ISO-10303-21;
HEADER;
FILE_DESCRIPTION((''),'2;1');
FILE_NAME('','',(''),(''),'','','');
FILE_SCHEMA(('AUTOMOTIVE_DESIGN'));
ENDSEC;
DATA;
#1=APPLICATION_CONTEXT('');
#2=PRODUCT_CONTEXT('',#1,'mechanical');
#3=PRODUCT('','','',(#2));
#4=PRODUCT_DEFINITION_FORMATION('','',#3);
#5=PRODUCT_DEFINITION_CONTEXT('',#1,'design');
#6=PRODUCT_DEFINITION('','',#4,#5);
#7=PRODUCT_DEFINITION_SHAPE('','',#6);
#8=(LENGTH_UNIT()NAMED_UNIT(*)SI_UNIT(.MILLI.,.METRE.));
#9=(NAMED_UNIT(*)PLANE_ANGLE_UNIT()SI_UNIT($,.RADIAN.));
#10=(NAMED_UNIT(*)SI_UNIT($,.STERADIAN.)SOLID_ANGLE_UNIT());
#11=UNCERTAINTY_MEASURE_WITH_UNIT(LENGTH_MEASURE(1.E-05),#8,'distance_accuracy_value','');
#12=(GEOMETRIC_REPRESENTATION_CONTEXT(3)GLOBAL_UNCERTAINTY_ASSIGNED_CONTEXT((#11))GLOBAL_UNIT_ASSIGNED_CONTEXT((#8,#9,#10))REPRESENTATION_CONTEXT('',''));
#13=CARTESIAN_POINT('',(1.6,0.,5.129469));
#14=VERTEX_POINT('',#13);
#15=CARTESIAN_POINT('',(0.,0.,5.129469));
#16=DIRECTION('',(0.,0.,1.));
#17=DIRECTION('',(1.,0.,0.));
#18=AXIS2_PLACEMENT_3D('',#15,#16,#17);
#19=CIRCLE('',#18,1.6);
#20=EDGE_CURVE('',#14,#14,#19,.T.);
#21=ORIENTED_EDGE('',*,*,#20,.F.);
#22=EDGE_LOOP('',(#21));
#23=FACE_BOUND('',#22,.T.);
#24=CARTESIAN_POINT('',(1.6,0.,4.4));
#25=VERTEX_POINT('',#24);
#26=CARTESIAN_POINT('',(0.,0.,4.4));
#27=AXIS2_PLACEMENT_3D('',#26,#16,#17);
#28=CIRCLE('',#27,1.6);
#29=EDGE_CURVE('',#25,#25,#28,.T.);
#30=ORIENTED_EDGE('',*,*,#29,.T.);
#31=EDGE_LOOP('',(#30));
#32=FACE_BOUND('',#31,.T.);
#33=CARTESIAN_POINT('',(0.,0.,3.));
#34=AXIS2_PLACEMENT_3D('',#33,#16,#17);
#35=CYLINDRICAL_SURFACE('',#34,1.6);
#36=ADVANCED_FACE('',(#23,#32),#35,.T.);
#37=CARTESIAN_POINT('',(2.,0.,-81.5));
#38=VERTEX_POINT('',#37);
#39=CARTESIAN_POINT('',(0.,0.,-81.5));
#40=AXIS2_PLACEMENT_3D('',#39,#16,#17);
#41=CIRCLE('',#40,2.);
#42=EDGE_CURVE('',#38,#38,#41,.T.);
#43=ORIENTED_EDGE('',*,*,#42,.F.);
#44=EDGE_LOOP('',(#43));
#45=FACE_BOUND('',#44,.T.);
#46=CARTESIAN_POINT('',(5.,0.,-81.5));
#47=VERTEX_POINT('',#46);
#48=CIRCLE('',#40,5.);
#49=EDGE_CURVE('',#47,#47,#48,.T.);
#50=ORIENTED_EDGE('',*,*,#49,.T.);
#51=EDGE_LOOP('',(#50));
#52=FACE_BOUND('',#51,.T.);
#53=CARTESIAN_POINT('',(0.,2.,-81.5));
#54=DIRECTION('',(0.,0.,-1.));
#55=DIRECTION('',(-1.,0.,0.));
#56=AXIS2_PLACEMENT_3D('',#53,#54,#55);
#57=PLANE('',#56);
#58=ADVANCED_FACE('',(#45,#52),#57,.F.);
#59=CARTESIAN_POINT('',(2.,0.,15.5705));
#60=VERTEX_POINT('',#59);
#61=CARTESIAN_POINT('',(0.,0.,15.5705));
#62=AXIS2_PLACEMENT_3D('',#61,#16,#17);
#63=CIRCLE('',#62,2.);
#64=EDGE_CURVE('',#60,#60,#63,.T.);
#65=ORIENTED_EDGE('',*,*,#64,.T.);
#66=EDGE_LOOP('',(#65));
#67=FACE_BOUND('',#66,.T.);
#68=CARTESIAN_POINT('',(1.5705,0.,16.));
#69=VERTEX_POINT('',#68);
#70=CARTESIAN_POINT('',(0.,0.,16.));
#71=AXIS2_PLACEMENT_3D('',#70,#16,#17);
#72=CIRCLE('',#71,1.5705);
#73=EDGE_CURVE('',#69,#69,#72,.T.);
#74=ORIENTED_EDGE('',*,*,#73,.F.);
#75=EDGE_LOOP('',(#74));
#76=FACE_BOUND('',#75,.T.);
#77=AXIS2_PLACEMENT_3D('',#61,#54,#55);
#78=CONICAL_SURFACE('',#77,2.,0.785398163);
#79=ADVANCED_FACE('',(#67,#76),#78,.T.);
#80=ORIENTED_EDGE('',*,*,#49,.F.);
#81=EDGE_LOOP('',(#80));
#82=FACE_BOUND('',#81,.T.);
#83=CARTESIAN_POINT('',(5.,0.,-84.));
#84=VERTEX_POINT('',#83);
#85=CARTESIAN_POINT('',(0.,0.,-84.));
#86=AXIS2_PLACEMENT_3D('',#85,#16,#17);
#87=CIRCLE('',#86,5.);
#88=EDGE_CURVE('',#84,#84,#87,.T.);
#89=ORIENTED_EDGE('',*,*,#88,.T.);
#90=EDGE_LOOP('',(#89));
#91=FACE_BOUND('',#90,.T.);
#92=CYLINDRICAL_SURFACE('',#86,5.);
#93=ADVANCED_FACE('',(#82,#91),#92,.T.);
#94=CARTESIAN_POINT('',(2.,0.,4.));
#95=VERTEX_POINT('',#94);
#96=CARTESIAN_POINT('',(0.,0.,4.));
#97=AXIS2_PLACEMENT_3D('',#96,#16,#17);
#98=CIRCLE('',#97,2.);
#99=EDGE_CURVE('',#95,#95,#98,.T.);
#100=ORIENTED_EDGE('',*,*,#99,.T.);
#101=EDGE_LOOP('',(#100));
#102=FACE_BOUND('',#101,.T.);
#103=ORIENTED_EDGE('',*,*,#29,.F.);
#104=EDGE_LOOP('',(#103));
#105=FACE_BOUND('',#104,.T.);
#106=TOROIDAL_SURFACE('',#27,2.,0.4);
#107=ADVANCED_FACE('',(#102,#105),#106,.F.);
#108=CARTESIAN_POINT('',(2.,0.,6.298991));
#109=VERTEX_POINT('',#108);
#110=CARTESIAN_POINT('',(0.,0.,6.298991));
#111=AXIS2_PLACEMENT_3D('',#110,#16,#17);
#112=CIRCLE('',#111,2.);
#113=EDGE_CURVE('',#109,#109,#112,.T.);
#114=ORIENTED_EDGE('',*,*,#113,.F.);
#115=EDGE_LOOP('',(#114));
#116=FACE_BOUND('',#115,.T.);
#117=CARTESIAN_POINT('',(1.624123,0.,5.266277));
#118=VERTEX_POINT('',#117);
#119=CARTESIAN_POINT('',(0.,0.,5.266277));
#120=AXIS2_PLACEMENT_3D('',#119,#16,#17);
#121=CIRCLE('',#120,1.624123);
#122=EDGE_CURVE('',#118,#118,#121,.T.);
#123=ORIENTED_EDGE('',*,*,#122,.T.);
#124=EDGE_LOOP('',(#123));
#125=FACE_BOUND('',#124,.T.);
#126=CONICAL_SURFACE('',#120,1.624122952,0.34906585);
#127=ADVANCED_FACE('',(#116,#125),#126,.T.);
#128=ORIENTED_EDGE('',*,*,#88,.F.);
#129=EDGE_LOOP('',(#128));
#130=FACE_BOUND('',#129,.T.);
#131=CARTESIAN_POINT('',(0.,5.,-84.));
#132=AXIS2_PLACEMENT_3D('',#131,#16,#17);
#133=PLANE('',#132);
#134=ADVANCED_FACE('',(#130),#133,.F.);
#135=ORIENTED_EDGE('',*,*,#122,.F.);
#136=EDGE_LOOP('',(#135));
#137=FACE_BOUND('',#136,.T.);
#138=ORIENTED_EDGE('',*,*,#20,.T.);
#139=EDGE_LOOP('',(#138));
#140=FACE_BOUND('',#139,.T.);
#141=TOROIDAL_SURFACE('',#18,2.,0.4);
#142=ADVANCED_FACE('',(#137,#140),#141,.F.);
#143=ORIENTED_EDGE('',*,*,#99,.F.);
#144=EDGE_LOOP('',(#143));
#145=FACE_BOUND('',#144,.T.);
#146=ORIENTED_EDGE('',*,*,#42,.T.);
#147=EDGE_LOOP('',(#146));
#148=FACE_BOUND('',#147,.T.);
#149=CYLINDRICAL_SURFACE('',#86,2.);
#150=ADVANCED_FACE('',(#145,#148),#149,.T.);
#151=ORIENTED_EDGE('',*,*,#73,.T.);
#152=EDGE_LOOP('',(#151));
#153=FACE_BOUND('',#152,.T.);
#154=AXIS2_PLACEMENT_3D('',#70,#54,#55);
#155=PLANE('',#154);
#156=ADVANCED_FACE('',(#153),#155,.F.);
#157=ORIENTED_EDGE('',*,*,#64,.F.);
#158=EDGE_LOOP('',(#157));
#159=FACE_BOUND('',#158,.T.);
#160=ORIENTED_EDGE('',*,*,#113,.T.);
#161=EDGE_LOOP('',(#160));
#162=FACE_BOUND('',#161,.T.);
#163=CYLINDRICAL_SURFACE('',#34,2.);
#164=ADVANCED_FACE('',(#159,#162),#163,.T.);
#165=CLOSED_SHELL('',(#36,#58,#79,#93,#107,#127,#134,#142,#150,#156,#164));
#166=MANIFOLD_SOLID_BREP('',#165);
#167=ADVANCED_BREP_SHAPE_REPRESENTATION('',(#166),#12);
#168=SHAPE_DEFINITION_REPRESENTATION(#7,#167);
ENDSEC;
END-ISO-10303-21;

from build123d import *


with BuildPart() as part:
    # Sketch1 → Revolve1 (revolve)
    with BuildSketch(Plane(origin=(0, 0, 0), x_dir=(0, 0, -1), z_dir=(1, 0, 0))):
        Polygon((-4, 0), (-4, 2), (81.5, 2), (81.5, 5), (84, 5), (84, 0), align=None)
    revolve(axis=Axis((0, 0, -84), (0, 0, 1)))

    # Sketch2 → Revolve2 (revolve)
    with BuildSketch(Plane(origin=(0, 0, 0), x_dir=(0, 0, -1), z_dir=(1, 0, 0))):
        with BuildLine():
            Line((-16, 0), (-16, 1.5705))
            Line((-16, 1.5705), (-15.5705, 2))
            Line((-15.5705, 2), (-6.298990968, 2))
            Line((-6.298990968, 2), (-5.266277265, 1.624122952))
            ThreePointArc((-5.266277265, 1.624122952), (-5.198928479, 1.606076899), (-5.129469208, 1.6))
            Line((-5.129469208, 1.6), (-4.4, 1.6))
            ThreePointArc((-4.4, 1.6), (-4.117157288, 1.717157288), (-4, 2))
            Line((-4, 2), (-3, 2))
            Line((-3, 2), (-3, 0))
            Line((-3, 0), (-16, 0))
        make_face()
    revolve(axis=Axis((0, 0, 3), (0, 0, 1)))


solid = part.part
